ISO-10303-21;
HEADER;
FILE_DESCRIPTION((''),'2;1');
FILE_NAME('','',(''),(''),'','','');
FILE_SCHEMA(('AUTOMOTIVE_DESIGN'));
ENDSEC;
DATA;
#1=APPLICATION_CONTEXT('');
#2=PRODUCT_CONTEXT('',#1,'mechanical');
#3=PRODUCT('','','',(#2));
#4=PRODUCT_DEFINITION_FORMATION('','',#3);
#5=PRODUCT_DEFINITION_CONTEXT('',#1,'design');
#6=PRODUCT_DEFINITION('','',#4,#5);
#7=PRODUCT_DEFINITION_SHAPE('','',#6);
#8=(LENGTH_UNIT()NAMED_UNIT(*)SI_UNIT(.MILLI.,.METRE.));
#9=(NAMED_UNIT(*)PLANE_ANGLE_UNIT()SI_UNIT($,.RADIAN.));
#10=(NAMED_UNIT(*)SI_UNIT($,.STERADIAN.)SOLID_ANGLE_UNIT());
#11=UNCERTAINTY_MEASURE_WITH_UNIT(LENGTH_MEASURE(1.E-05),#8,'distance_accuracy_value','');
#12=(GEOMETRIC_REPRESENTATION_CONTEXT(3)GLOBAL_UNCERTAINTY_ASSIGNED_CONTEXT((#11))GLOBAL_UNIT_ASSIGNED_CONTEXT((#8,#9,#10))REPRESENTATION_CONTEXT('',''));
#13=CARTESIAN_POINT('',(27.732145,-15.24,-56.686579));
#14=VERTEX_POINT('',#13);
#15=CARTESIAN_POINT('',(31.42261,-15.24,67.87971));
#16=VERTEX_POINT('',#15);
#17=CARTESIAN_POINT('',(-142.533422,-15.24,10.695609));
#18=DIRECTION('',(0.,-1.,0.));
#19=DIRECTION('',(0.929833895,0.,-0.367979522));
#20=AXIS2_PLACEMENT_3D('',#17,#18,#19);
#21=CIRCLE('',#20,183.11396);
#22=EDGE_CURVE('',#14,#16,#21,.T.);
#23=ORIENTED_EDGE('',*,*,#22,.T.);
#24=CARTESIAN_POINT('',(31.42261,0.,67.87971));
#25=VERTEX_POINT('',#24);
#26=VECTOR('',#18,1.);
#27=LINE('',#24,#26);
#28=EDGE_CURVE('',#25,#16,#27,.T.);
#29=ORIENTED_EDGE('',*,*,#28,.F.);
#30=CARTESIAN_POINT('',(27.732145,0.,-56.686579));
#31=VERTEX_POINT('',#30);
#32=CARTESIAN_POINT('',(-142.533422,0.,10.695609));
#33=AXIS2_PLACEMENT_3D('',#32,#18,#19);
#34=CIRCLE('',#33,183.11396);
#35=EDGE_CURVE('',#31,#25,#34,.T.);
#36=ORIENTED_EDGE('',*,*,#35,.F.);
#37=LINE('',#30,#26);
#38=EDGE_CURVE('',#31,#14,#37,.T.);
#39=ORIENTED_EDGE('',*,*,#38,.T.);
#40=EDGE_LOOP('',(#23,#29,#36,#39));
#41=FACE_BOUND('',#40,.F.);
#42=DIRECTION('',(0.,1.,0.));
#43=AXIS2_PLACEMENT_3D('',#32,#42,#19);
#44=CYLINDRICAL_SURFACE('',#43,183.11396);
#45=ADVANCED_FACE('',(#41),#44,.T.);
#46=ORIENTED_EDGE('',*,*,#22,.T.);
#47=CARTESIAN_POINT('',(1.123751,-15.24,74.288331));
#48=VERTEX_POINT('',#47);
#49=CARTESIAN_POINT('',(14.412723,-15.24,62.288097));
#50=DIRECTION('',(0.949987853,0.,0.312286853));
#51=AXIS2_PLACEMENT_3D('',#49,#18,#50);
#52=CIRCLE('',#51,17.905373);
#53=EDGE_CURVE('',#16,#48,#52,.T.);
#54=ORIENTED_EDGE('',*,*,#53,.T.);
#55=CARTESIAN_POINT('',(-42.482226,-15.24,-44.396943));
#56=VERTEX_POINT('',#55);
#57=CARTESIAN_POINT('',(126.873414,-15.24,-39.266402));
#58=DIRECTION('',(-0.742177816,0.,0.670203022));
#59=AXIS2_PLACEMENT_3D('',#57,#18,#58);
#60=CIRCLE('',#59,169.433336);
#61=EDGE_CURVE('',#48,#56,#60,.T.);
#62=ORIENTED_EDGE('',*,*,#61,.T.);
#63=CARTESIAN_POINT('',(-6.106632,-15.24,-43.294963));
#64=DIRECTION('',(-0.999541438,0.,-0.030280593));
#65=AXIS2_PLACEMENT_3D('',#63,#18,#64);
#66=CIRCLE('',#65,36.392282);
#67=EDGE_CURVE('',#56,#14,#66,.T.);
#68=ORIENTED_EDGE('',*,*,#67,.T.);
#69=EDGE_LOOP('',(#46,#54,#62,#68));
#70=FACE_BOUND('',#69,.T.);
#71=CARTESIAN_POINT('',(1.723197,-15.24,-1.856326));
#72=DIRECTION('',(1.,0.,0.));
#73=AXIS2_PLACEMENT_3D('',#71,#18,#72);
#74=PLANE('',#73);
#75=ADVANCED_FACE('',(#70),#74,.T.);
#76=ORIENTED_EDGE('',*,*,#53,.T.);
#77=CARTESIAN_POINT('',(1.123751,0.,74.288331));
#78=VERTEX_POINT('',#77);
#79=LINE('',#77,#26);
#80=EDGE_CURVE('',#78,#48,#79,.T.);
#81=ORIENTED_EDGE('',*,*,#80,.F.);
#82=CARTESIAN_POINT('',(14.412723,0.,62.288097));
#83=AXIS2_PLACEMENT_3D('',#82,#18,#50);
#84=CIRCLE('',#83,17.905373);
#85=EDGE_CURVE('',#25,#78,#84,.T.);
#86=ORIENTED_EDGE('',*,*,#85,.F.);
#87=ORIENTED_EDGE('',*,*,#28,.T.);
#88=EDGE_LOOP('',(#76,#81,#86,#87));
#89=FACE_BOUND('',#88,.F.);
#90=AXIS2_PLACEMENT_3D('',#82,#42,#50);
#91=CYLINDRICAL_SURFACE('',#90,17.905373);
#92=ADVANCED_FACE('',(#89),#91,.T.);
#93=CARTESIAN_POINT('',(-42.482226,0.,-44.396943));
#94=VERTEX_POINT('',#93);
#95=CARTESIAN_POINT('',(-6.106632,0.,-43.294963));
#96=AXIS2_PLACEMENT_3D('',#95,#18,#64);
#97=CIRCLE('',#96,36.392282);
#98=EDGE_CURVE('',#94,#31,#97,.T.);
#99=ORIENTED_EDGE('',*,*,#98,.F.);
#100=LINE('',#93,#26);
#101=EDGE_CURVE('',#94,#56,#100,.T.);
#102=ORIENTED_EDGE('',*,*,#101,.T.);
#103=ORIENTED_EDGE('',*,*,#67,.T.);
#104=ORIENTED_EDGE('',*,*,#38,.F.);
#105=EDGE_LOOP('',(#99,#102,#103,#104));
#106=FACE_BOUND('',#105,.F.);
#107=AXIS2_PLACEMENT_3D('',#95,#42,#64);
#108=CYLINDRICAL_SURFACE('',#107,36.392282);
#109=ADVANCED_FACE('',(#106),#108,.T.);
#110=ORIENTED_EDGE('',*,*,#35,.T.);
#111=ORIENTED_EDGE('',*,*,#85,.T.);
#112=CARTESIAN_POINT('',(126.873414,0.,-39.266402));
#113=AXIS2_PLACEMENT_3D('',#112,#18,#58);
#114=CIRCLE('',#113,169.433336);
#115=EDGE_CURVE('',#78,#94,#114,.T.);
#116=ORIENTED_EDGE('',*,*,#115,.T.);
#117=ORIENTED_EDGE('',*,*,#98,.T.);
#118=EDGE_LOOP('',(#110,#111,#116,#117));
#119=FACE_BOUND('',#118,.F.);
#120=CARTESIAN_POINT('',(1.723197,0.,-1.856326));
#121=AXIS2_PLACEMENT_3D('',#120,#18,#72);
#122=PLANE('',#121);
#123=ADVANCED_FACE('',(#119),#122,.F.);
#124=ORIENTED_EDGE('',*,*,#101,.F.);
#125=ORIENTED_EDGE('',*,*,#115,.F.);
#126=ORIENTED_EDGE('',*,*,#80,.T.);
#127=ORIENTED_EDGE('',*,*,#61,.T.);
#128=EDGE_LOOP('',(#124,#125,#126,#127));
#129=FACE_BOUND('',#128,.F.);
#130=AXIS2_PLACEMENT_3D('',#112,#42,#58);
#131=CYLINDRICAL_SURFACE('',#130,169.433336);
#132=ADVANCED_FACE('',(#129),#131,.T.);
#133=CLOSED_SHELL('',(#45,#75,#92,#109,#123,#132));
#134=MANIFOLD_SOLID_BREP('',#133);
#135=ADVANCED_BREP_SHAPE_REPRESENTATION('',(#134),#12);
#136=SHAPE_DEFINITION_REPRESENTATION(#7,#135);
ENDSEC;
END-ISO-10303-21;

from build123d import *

# Parameters (mm, degrees)
F1_DEPTH = 15.24


with BuildPart() as f1:
    # F0 (on Front) → F1 (new body)
    with BuildSketch(Plane.XZ):
        with BuildLine():
            ThreePointArc((27.732145, -56.686579), (40.500229, 5.27296), (31.42261, 67.87971))
            ThreePointArc((31.42261, 67.87971), (18.117977, 79.805902), (1.123751, 74.288331))
            ThreePointArc((1.123751, 74.288331), (-32.165366, 19.165795), (-42.482226, -44.396943))
            ThreePointArc((-42.482226, -44.396943), (-12.380996, -79.142286), (27.732145, -56.686579))
        make_face()
    extrude(amount=F1_DEPTH)


solid = f1.part
